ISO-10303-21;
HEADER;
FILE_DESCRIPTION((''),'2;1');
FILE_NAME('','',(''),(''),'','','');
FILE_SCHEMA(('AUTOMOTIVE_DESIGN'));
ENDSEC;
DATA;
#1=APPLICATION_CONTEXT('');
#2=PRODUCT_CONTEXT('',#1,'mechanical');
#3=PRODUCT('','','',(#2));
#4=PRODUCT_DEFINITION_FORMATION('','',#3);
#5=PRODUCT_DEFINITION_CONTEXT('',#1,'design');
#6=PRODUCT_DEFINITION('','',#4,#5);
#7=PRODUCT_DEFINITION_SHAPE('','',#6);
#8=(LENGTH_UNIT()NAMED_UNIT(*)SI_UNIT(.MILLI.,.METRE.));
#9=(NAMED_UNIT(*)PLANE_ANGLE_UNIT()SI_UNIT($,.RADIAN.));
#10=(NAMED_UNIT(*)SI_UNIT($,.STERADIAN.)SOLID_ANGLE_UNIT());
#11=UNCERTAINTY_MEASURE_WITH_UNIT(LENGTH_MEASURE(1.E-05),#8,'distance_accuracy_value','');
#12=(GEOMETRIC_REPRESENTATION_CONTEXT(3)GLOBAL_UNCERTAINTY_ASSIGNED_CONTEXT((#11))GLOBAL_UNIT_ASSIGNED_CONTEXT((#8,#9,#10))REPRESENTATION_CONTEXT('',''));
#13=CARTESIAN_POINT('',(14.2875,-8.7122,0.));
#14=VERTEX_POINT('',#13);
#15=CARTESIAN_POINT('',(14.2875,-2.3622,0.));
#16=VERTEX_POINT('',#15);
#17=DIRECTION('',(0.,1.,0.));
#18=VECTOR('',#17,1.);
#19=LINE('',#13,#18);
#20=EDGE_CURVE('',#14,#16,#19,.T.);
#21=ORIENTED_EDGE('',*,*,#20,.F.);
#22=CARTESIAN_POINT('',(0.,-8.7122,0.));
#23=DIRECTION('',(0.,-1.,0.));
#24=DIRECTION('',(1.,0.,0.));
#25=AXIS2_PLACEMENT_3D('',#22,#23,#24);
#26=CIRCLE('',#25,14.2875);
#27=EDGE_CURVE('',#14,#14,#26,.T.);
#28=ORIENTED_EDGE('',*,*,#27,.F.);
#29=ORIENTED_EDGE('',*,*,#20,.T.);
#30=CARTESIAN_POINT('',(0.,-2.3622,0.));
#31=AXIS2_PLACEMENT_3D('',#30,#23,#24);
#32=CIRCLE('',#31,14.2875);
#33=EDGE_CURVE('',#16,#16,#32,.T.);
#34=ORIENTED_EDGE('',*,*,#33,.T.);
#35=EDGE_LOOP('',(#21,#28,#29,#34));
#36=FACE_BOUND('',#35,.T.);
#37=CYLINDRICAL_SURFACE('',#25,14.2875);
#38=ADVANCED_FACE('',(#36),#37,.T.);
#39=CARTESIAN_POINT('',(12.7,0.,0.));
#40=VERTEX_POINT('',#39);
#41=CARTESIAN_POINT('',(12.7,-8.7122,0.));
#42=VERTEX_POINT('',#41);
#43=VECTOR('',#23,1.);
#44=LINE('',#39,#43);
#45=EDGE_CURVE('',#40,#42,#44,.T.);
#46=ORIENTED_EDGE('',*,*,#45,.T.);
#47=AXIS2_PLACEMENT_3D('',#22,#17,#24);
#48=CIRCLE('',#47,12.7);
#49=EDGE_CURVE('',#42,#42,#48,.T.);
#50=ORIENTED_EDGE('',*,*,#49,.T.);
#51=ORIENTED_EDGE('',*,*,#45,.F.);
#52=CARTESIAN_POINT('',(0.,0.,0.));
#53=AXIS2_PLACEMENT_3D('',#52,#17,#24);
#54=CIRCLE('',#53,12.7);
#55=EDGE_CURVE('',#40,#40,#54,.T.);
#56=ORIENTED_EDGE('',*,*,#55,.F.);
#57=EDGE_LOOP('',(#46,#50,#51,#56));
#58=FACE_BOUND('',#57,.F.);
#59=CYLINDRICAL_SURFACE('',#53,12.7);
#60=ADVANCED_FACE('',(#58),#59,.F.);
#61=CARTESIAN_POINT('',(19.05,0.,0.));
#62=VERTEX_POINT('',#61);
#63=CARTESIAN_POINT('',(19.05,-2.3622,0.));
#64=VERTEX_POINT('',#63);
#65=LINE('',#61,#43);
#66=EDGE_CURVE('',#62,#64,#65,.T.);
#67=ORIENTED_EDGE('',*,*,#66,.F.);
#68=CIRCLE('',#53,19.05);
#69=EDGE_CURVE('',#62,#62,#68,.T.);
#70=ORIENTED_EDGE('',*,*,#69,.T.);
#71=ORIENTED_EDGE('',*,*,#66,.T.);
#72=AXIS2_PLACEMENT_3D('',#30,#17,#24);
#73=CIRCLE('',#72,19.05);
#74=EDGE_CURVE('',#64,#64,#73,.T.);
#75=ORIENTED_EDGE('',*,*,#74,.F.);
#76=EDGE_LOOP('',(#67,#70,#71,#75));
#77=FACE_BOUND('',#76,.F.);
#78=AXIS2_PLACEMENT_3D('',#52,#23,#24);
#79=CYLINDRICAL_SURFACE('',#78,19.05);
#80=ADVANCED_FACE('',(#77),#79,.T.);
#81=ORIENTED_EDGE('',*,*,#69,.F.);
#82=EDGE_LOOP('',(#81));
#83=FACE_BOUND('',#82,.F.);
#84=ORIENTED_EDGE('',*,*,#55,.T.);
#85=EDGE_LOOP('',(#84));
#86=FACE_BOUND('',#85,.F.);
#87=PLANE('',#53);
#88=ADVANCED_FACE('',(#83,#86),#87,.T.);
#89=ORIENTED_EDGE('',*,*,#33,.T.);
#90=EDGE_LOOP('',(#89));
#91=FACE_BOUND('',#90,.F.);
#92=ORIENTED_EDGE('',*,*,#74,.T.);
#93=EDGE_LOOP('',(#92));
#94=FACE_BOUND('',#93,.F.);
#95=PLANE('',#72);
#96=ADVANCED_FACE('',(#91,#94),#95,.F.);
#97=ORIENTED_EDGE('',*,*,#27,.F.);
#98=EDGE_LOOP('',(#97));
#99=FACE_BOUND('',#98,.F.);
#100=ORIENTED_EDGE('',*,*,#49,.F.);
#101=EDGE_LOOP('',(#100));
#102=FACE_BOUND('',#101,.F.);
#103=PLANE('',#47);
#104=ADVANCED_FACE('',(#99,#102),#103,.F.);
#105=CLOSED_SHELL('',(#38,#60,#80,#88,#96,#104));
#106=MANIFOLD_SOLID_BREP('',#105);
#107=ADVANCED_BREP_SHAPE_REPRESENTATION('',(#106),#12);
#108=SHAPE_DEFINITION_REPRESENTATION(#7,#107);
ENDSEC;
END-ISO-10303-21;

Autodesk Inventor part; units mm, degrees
ref_plane "YZ Plane" through (0, 0, 0) normal (1, 0, 0) x (0, 1, 0)
ref_plane "XZ Plane" through (0, 0, 0) normal (0, 1, 0) x (-1, 0, 0)
ref_plane "XY Plane" through (0, 0, 0) normal (0, 0, 1) x (1, 0, 0)
sketch "Sketch1" plane through (0, 0, 0) normal (0, 0, 1) x (1, 0, 0)
  line L0 (0, 0) -> (19.05, 0)
  line L1 (19.05, 0) -> (19.05, -2.3622)
  line L2 (19.05, -2.3622) -> (14.8082, -2.3622)
  line L3 (14.8082, -2.3622) -> (14.8082, -8.7122)
  line L4 (14.8082, -8.7122) -> (0, -8.7122)
  line L5 (0, -8.7122) -> (0, 0)
  dimension "d2" = 19.05
  dimension "d3" = 2.3622
  dimension "d4" = 4.2418
  dimension "d5" = 6.35
revolve "Revolution1" add sketch "Sketch1" angle 360 about axis through (0, -8.7122, 0) along (0, 1, 0)
sketch "Sketch2" plane through (0, 0, 0) normal (0, 1, 0) x (1, 0, 0)
  circle A0 centre (0, 0) radius 12.7
  dimension "d7" = 25.4
extrude "Extrusion1" cut sketch "Sketch2" against normal blind 25.4
sketch "Sketch3" plane through (0, -8.7122, 0) normal (0, -1, 0) x (1, 0, 0)
  circle A0 centre (0, 0) radius 14.2875
  circle A1 centre (0, 0) radius 14.8082
  dimension "d10" = 28.575
extrude "Extrusion2" cut sketch "Sketch3" against normal blind 6.35
properties part number "BevelWheelSpace_Clearance" material "ABS Plastic"
